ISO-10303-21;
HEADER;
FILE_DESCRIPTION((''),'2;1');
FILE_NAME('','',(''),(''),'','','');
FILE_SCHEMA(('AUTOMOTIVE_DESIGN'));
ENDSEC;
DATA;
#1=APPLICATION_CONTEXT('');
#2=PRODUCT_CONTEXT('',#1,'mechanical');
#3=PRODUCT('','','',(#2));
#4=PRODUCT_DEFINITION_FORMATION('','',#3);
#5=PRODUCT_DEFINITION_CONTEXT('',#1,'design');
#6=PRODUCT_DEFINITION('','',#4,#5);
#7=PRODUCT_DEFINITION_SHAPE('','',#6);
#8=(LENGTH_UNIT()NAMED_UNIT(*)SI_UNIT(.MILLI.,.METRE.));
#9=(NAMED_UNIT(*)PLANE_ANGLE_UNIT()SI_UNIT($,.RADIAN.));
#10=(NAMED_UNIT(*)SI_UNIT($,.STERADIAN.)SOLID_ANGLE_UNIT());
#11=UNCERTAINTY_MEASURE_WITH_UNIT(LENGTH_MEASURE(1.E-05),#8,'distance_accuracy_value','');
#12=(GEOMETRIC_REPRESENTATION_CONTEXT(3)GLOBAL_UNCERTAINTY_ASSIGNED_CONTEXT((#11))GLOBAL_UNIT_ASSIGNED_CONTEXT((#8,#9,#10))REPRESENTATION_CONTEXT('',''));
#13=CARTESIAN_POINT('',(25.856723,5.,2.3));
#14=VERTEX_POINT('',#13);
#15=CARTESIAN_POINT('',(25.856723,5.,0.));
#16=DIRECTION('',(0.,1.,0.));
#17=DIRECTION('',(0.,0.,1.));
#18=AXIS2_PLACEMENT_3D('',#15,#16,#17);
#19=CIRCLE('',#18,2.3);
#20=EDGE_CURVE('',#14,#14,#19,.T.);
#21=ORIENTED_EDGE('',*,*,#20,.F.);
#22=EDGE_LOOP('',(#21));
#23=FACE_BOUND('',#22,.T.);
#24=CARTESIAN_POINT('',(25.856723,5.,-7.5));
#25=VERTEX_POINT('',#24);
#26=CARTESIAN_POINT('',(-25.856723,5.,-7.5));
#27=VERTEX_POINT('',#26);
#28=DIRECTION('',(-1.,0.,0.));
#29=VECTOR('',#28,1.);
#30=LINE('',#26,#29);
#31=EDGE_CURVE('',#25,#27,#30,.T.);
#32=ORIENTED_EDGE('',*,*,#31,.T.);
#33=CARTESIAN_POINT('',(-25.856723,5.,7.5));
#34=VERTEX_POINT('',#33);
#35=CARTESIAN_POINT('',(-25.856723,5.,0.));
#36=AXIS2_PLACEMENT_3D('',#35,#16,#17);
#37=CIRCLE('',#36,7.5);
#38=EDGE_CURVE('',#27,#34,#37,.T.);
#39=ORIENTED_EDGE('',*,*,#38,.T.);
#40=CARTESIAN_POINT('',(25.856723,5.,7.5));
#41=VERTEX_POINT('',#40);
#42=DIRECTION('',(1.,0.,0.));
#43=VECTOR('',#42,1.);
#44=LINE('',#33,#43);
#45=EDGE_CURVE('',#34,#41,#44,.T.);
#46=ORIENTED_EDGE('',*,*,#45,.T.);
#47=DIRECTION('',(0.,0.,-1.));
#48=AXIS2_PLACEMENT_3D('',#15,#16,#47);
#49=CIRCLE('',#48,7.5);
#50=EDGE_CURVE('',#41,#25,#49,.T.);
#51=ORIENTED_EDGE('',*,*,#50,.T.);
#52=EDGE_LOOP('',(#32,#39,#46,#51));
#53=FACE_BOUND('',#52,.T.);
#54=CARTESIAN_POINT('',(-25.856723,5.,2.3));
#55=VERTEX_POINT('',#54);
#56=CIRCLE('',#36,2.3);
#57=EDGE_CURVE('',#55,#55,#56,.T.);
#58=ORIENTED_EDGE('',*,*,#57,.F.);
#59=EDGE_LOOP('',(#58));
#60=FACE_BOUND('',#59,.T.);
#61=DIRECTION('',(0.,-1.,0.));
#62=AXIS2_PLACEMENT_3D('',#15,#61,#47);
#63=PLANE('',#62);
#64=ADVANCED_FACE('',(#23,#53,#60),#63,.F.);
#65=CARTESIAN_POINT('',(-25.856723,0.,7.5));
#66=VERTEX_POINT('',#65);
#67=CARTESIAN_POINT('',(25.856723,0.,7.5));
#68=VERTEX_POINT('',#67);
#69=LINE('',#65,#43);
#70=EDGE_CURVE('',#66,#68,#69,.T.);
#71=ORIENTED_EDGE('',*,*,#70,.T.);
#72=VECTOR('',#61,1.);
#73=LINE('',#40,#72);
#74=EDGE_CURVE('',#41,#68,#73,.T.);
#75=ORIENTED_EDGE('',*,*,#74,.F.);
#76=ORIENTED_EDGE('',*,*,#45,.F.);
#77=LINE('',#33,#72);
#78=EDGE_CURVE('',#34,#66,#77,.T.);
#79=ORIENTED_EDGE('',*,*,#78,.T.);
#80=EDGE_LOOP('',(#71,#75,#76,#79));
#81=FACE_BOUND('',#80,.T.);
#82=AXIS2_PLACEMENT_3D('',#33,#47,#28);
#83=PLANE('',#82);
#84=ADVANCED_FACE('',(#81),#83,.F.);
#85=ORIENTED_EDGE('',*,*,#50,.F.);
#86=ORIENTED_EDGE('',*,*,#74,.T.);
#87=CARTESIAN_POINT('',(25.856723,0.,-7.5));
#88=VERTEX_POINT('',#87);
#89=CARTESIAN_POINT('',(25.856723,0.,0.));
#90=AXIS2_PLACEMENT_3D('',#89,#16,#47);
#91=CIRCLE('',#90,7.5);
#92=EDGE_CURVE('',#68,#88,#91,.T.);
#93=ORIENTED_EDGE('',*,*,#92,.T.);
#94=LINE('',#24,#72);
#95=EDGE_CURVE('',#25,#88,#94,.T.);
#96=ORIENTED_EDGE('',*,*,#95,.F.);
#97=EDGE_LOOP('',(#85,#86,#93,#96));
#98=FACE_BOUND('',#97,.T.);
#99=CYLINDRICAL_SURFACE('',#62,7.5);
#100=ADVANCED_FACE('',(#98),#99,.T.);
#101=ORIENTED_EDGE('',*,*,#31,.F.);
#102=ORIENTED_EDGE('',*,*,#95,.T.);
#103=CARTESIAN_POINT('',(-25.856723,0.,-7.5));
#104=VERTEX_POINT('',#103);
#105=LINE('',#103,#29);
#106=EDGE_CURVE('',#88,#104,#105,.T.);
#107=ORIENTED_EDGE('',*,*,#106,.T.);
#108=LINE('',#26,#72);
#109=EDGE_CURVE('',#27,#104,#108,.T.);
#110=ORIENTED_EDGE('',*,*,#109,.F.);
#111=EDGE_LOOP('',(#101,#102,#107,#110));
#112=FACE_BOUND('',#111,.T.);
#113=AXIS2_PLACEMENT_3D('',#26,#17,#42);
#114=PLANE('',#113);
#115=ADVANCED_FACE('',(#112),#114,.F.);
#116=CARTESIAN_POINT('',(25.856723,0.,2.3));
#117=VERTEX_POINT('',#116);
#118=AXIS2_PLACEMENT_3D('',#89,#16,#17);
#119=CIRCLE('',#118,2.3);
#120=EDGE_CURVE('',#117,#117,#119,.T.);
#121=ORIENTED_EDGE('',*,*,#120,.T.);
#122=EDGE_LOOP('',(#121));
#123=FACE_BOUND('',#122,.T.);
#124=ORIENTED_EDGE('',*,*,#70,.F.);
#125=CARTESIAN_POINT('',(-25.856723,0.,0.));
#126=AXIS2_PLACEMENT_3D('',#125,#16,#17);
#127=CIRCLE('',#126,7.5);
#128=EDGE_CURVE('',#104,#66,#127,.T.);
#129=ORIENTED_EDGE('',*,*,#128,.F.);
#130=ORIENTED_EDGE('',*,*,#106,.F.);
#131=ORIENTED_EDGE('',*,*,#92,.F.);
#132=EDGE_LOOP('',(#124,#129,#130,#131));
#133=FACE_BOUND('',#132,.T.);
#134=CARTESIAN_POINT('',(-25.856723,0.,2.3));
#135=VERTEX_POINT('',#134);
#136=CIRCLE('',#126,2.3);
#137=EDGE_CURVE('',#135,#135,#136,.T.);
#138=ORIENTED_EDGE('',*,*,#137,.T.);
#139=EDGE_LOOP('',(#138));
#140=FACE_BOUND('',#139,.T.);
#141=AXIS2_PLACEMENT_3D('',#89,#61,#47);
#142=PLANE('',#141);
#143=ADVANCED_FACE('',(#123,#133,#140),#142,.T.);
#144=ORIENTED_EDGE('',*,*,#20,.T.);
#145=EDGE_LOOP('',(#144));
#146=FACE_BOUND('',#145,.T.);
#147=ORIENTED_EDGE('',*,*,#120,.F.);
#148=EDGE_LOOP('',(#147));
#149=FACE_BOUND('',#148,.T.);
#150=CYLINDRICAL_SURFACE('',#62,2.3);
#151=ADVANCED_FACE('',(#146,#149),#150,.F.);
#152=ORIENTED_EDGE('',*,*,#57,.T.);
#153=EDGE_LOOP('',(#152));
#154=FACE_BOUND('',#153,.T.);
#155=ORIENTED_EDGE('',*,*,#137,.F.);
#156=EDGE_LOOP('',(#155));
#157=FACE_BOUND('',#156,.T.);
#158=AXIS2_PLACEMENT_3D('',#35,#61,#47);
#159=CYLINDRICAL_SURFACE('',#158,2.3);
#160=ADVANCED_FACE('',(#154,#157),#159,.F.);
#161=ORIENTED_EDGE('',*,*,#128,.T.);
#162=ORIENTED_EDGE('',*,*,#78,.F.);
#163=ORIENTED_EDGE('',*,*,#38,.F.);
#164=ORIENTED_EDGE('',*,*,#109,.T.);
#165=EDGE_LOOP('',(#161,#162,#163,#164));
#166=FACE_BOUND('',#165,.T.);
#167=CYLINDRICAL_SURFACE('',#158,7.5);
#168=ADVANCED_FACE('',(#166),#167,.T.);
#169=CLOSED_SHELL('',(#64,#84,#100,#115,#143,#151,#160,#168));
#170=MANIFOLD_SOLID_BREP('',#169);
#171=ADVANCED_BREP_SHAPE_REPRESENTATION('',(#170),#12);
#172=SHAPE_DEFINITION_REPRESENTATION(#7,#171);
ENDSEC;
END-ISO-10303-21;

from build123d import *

# Parameters (mm, degrees)
SKETCH_1_R      = 2.3
EXTRUDE_1_DEPTH = 5


with BuildPart() as part:
    # 草图1 → 凸台-拉伸1 (new body)
    with BuildSketch(Plane(origin=(0, 0, 0), x_dir=(1, 0, 0), z_dir=(0, 1, 0))):
        with BuildLine():
            Line((-25.856722835, 7.5), (25.856722835, 7.5))
            ThreePointArc((25.856722835, 7.5), (33.356722835, 0), (25.856722835, -7.5))
            Line((25.856722835, -7.5), (-25.856722835, -7.5))
            ThreePointArc((-25.856722835, -7.5), (-33.356722835, 0), (-25.856722835, 7.5))
        make_face()
        with Locations(Location((-25.856722835, 0, 0), (0, 0, 270))):
            Circle(SKETCH_1_R, mode=Mode.SUBTRACT)
        with Locations(Location((25.856722835, 0, 0), (0, 0, 270))):
            Circle(SKETCH_1_R, mode=Mode.SUBTRACT)
    extrude(amount=EXTRUDE_1_DEPTH)


solid = part.part
